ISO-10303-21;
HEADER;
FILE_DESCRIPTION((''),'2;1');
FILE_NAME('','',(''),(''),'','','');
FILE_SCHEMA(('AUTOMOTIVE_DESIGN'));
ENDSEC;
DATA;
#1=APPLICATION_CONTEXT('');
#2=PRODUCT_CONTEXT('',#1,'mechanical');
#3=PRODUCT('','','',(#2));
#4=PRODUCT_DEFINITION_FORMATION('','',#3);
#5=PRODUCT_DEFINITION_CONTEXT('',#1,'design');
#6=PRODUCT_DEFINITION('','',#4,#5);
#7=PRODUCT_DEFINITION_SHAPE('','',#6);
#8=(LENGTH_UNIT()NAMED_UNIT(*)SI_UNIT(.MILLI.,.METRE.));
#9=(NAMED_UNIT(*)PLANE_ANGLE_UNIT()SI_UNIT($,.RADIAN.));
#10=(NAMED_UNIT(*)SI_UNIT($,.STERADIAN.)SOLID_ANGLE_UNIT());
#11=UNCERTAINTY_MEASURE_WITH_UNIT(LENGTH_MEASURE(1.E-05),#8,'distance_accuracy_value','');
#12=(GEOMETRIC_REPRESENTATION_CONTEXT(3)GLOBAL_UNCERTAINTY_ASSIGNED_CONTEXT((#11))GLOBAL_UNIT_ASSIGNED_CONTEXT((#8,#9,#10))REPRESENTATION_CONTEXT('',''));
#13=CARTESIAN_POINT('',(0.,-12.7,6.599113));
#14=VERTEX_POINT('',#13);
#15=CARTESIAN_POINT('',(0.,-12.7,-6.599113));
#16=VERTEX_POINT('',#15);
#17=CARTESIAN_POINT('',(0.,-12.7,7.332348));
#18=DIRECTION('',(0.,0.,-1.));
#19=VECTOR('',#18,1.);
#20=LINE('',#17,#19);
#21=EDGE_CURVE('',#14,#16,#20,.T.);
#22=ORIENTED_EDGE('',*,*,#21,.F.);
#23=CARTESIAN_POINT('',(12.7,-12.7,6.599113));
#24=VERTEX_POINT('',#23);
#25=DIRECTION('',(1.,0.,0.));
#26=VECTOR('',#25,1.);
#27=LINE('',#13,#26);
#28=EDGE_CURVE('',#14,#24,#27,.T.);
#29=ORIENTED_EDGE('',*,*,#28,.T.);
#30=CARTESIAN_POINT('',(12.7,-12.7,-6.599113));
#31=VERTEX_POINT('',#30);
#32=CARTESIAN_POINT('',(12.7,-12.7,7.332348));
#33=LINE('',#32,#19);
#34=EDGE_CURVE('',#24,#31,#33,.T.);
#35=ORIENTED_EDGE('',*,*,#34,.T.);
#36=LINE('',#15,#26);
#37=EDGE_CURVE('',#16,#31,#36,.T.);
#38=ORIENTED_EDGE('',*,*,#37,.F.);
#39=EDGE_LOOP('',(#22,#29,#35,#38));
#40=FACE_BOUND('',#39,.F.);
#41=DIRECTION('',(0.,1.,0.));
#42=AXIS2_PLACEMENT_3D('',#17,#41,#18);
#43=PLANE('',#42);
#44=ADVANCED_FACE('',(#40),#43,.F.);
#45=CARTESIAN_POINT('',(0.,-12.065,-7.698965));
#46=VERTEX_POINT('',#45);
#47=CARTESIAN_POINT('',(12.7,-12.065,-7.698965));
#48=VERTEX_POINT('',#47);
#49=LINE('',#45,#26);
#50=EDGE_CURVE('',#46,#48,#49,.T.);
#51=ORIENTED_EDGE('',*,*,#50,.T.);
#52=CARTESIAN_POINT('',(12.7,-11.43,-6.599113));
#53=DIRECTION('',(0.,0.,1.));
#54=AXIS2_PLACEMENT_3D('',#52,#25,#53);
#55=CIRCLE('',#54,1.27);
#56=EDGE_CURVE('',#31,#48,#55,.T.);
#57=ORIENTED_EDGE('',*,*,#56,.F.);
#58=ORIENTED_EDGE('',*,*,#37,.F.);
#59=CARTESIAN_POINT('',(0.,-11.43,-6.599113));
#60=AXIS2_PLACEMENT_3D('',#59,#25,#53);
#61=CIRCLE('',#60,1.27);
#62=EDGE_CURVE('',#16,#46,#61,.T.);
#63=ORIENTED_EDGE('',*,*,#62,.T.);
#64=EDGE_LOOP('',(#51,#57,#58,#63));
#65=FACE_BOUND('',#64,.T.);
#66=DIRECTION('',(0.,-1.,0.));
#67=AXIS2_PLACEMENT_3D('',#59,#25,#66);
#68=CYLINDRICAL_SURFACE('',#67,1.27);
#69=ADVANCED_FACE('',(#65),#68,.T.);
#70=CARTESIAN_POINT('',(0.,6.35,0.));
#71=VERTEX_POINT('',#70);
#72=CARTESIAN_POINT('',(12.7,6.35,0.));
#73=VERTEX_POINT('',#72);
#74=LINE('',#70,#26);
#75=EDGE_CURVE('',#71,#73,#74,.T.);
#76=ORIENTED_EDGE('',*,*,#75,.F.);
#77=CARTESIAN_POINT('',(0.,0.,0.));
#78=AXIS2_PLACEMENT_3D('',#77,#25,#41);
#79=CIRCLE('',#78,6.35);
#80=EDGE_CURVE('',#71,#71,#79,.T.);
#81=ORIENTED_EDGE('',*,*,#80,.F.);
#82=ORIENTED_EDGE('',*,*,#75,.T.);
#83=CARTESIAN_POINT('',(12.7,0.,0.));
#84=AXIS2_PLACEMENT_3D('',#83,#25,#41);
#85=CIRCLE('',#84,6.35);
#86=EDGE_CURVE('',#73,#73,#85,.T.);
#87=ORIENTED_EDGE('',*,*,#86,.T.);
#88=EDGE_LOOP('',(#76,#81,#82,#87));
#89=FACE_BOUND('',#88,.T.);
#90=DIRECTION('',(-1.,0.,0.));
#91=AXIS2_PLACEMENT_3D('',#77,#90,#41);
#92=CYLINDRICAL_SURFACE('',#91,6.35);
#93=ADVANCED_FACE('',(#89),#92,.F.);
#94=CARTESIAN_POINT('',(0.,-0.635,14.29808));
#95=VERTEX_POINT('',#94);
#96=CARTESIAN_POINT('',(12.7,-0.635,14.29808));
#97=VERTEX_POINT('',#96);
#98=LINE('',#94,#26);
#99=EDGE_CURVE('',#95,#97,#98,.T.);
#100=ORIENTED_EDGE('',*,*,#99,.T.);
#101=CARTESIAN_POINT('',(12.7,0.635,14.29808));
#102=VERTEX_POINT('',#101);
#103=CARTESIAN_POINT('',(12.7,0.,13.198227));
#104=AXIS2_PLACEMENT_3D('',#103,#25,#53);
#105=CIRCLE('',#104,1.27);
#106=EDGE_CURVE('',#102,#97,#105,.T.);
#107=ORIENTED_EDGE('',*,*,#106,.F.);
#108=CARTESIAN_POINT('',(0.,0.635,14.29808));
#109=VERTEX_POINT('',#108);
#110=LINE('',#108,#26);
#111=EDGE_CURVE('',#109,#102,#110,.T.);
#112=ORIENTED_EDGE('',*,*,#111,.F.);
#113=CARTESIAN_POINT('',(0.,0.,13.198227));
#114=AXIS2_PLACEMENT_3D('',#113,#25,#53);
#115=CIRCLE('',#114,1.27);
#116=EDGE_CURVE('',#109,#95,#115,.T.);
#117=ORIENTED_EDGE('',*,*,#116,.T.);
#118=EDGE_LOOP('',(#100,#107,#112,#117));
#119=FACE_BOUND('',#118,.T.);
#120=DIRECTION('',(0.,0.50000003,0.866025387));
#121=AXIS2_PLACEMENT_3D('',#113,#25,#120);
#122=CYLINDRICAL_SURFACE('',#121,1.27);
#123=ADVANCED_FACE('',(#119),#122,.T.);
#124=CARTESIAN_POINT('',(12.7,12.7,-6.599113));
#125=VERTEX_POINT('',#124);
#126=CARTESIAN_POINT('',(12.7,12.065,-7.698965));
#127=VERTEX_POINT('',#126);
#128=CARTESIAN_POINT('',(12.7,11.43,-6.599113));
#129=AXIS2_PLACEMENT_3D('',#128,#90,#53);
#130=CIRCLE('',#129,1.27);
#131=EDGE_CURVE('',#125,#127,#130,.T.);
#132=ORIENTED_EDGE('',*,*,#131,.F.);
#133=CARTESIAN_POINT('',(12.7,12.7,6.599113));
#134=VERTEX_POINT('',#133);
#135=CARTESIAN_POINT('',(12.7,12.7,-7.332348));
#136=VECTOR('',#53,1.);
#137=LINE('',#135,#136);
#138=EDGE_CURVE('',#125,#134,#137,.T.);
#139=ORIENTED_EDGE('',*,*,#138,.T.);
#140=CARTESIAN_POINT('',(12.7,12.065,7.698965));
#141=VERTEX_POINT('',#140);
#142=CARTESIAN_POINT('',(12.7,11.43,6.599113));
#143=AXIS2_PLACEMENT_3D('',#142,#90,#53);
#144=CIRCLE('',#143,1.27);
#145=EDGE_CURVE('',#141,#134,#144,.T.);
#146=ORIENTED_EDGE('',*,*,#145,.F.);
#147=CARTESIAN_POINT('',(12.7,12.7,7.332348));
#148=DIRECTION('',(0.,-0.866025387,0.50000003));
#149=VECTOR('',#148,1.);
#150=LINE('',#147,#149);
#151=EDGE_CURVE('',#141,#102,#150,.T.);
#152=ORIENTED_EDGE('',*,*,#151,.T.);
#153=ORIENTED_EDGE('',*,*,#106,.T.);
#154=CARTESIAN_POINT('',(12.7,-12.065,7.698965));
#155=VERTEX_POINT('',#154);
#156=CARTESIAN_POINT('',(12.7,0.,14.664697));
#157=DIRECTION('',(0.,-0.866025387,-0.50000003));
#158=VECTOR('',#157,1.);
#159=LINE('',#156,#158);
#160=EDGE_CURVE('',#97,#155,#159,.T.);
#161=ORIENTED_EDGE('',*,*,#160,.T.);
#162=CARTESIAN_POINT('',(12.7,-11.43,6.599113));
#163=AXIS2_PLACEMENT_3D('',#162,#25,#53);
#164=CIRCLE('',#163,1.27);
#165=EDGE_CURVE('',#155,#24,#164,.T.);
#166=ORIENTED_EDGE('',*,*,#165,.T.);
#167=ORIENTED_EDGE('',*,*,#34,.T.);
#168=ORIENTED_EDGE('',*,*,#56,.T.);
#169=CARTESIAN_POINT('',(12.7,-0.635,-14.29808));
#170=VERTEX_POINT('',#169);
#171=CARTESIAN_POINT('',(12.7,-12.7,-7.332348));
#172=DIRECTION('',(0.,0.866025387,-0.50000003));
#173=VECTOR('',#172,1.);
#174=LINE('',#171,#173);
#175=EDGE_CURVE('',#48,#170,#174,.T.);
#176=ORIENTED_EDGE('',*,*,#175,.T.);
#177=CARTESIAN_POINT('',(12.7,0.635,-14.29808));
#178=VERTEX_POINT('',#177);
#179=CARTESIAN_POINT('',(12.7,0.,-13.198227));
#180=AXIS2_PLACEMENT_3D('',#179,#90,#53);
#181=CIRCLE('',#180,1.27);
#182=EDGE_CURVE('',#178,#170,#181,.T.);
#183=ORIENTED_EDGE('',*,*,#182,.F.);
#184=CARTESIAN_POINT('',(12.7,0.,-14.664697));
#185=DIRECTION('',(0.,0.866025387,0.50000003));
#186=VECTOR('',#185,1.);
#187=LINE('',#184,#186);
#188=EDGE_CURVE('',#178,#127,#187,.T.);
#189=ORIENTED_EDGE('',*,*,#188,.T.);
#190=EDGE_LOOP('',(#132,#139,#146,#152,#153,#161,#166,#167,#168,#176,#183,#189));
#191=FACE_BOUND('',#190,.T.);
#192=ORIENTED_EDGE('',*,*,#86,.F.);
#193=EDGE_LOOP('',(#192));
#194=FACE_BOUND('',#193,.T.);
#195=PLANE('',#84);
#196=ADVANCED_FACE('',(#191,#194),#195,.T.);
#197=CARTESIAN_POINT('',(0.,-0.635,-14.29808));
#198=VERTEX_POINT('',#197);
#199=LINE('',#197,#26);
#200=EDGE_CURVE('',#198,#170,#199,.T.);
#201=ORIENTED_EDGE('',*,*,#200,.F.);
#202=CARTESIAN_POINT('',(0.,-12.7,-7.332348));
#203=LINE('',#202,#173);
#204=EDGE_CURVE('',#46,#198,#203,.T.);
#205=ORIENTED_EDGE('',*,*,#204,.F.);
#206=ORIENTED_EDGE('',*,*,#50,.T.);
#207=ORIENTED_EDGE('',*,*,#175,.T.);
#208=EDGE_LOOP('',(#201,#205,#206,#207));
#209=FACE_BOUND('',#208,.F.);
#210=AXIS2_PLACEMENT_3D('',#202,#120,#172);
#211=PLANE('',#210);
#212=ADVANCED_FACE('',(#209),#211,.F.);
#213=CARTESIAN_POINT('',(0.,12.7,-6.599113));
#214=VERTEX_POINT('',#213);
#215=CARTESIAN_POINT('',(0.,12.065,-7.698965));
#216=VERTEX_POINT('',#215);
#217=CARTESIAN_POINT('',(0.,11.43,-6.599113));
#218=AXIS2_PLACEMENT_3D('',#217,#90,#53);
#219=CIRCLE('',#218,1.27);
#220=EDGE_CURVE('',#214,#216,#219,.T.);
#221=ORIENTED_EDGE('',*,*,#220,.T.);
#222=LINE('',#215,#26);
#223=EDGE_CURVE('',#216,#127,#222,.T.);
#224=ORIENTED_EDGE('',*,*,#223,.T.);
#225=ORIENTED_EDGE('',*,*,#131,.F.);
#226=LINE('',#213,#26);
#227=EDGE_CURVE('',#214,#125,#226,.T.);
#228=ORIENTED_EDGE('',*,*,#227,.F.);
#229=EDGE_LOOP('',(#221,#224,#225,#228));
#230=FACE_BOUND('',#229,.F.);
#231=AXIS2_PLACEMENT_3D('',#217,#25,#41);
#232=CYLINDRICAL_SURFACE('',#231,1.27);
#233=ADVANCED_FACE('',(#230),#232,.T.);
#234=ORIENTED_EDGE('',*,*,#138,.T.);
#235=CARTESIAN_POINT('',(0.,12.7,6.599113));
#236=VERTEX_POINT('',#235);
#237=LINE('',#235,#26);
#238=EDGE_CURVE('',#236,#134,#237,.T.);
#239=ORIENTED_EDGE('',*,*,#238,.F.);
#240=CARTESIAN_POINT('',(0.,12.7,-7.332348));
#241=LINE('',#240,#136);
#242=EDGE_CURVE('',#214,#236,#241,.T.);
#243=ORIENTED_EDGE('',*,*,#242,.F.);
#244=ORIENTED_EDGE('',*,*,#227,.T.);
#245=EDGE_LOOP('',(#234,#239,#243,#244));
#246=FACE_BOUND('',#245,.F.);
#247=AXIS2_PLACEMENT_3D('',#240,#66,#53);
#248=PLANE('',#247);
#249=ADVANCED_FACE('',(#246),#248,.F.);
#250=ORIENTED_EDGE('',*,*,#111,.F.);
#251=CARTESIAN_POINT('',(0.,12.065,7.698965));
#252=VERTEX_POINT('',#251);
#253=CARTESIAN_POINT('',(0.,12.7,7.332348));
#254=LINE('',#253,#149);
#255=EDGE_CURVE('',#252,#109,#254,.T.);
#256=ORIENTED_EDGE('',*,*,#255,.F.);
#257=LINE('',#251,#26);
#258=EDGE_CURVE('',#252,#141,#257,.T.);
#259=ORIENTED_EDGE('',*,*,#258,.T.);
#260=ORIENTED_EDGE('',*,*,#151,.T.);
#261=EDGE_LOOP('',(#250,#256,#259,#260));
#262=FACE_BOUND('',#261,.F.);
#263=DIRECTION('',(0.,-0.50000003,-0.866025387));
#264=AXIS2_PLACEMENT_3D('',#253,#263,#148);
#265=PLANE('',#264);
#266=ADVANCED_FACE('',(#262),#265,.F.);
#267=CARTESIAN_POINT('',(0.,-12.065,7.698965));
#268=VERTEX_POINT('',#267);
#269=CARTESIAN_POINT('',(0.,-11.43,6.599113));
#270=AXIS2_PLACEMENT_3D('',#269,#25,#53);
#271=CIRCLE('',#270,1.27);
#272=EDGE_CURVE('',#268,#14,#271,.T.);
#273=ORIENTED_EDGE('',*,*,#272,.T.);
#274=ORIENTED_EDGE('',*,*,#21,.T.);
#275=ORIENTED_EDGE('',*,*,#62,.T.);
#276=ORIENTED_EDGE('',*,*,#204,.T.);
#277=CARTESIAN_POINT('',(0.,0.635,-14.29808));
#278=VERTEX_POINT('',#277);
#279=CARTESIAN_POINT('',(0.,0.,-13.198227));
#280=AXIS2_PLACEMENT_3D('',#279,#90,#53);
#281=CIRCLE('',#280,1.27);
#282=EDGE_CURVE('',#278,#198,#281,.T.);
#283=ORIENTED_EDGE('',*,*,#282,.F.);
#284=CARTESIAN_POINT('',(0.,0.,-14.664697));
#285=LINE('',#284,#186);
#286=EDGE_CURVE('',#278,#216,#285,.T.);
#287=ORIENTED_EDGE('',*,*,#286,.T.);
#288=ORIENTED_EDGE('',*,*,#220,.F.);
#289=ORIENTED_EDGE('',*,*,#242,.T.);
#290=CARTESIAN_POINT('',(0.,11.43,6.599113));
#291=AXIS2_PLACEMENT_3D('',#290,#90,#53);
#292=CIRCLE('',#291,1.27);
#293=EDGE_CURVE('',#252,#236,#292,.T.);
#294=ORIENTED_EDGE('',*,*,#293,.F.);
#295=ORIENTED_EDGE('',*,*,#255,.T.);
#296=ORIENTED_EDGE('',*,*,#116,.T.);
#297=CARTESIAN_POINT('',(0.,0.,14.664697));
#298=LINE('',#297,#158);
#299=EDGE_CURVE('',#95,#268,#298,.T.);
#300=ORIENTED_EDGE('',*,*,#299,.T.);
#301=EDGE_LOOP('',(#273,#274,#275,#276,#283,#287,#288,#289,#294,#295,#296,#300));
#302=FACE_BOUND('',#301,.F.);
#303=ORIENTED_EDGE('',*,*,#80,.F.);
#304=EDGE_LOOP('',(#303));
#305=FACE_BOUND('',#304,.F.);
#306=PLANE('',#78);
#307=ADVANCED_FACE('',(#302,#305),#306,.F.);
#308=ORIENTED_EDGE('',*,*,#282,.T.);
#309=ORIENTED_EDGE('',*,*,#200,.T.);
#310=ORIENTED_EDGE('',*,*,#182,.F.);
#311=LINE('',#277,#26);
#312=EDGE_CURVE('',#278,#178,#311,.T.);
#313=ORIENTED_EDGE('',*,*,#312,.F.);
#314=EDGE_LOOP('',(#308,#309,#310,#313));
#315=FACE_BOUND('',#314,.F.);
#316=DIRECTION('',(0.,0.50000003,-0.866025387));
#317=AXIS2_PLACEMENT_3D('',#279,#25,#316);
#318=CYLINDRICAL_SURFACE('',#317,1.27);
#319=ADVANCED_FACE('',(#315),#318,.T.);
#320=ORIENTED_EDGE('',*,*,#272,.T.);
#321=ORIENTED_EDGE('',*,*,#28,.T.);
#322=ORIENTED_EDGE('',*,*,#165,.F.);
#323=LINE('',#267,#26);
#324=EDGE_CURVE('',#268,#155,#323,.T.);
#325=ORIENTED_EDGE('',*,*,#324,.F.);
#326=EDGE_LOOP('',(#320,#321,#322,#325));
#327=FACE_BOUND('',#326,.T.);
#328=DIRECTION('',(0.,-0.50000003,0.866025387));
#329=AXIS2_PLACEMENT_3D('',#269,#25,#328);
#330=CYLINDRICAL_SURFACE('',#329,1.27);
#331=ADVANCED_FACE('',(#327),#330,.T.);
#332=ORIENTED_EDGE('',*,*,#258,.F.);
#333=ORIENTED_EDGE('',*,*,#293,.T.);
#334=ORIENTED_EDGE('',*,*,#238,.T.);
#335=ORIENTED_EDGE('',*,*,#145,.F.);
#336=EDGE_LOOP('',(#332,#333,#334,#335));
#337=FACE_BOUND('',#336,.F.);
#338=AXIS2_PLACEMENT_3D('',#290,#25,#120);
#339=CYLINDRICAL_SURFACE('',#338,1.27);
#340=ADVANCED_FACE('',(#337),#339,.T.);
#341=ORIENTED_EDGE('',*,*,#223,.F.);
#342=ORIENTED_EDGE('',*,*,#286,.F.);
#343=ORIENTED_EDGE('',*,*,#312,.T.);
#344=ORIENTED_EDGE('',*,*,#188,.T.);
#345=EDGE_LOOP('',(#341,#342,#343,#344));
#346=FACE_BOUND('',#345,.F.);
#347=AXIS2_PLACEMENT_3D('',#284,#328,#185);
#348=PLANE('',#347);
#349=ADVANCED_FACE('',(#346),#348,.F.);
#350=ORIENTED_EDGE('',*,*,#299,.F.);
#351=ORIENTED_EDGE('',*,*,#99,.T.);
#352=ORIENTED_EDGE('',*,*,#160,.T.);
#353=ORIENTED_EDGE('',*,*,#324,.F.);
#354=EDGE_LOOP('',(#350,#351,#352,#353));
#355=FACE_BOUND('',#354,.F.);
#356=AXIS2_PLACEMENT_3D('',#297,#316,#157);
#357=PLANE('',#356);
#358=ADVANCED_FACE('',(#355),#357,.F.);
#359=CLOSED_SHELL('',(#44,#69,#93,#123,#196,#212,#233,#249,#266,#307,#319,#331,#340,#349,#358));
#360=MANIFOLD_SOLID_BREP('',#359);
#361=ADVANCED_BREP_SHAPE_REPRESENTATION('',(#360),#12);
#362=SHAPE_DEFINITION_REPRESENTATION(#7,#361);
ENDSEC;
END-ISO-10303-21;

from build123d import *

# Parameters (mm, degrees)
F0_R     = 6.35
F1_DEPTH = 12.7
F2_R     = 1.27


with BuildPart() as f1:
    # F0 (on Right) → F1 (new body)
    with BuildSketch(Plane.YZ):
        Polygon((12.7, 7.332348), (0, 14.664697), (-12.7, 7.332348), (-12.7, -7.332348), (0, -14.664697), (12.7, -7.332348), align=None)
        Circle(F0_R, mode=Mode.SUBTRACT)
    extrude(amount=F1_DEPTH)

    # F2
    f2_edges = [f1.edges().sort_by_distance(p)[0] for p in [
        (6.35, -12.7, -7.332348),
        (6.35, -12.7, 7.332348),
        (6.35, 0, -14.664697),
        (6.35, 12.7, -7.332348),
        (6.35, 12.7, 7.332348),
        (6.35, 0, 14.664697),
    ]]
    fillet(f2_edges, radius=F2_R)


solid = f1.part
